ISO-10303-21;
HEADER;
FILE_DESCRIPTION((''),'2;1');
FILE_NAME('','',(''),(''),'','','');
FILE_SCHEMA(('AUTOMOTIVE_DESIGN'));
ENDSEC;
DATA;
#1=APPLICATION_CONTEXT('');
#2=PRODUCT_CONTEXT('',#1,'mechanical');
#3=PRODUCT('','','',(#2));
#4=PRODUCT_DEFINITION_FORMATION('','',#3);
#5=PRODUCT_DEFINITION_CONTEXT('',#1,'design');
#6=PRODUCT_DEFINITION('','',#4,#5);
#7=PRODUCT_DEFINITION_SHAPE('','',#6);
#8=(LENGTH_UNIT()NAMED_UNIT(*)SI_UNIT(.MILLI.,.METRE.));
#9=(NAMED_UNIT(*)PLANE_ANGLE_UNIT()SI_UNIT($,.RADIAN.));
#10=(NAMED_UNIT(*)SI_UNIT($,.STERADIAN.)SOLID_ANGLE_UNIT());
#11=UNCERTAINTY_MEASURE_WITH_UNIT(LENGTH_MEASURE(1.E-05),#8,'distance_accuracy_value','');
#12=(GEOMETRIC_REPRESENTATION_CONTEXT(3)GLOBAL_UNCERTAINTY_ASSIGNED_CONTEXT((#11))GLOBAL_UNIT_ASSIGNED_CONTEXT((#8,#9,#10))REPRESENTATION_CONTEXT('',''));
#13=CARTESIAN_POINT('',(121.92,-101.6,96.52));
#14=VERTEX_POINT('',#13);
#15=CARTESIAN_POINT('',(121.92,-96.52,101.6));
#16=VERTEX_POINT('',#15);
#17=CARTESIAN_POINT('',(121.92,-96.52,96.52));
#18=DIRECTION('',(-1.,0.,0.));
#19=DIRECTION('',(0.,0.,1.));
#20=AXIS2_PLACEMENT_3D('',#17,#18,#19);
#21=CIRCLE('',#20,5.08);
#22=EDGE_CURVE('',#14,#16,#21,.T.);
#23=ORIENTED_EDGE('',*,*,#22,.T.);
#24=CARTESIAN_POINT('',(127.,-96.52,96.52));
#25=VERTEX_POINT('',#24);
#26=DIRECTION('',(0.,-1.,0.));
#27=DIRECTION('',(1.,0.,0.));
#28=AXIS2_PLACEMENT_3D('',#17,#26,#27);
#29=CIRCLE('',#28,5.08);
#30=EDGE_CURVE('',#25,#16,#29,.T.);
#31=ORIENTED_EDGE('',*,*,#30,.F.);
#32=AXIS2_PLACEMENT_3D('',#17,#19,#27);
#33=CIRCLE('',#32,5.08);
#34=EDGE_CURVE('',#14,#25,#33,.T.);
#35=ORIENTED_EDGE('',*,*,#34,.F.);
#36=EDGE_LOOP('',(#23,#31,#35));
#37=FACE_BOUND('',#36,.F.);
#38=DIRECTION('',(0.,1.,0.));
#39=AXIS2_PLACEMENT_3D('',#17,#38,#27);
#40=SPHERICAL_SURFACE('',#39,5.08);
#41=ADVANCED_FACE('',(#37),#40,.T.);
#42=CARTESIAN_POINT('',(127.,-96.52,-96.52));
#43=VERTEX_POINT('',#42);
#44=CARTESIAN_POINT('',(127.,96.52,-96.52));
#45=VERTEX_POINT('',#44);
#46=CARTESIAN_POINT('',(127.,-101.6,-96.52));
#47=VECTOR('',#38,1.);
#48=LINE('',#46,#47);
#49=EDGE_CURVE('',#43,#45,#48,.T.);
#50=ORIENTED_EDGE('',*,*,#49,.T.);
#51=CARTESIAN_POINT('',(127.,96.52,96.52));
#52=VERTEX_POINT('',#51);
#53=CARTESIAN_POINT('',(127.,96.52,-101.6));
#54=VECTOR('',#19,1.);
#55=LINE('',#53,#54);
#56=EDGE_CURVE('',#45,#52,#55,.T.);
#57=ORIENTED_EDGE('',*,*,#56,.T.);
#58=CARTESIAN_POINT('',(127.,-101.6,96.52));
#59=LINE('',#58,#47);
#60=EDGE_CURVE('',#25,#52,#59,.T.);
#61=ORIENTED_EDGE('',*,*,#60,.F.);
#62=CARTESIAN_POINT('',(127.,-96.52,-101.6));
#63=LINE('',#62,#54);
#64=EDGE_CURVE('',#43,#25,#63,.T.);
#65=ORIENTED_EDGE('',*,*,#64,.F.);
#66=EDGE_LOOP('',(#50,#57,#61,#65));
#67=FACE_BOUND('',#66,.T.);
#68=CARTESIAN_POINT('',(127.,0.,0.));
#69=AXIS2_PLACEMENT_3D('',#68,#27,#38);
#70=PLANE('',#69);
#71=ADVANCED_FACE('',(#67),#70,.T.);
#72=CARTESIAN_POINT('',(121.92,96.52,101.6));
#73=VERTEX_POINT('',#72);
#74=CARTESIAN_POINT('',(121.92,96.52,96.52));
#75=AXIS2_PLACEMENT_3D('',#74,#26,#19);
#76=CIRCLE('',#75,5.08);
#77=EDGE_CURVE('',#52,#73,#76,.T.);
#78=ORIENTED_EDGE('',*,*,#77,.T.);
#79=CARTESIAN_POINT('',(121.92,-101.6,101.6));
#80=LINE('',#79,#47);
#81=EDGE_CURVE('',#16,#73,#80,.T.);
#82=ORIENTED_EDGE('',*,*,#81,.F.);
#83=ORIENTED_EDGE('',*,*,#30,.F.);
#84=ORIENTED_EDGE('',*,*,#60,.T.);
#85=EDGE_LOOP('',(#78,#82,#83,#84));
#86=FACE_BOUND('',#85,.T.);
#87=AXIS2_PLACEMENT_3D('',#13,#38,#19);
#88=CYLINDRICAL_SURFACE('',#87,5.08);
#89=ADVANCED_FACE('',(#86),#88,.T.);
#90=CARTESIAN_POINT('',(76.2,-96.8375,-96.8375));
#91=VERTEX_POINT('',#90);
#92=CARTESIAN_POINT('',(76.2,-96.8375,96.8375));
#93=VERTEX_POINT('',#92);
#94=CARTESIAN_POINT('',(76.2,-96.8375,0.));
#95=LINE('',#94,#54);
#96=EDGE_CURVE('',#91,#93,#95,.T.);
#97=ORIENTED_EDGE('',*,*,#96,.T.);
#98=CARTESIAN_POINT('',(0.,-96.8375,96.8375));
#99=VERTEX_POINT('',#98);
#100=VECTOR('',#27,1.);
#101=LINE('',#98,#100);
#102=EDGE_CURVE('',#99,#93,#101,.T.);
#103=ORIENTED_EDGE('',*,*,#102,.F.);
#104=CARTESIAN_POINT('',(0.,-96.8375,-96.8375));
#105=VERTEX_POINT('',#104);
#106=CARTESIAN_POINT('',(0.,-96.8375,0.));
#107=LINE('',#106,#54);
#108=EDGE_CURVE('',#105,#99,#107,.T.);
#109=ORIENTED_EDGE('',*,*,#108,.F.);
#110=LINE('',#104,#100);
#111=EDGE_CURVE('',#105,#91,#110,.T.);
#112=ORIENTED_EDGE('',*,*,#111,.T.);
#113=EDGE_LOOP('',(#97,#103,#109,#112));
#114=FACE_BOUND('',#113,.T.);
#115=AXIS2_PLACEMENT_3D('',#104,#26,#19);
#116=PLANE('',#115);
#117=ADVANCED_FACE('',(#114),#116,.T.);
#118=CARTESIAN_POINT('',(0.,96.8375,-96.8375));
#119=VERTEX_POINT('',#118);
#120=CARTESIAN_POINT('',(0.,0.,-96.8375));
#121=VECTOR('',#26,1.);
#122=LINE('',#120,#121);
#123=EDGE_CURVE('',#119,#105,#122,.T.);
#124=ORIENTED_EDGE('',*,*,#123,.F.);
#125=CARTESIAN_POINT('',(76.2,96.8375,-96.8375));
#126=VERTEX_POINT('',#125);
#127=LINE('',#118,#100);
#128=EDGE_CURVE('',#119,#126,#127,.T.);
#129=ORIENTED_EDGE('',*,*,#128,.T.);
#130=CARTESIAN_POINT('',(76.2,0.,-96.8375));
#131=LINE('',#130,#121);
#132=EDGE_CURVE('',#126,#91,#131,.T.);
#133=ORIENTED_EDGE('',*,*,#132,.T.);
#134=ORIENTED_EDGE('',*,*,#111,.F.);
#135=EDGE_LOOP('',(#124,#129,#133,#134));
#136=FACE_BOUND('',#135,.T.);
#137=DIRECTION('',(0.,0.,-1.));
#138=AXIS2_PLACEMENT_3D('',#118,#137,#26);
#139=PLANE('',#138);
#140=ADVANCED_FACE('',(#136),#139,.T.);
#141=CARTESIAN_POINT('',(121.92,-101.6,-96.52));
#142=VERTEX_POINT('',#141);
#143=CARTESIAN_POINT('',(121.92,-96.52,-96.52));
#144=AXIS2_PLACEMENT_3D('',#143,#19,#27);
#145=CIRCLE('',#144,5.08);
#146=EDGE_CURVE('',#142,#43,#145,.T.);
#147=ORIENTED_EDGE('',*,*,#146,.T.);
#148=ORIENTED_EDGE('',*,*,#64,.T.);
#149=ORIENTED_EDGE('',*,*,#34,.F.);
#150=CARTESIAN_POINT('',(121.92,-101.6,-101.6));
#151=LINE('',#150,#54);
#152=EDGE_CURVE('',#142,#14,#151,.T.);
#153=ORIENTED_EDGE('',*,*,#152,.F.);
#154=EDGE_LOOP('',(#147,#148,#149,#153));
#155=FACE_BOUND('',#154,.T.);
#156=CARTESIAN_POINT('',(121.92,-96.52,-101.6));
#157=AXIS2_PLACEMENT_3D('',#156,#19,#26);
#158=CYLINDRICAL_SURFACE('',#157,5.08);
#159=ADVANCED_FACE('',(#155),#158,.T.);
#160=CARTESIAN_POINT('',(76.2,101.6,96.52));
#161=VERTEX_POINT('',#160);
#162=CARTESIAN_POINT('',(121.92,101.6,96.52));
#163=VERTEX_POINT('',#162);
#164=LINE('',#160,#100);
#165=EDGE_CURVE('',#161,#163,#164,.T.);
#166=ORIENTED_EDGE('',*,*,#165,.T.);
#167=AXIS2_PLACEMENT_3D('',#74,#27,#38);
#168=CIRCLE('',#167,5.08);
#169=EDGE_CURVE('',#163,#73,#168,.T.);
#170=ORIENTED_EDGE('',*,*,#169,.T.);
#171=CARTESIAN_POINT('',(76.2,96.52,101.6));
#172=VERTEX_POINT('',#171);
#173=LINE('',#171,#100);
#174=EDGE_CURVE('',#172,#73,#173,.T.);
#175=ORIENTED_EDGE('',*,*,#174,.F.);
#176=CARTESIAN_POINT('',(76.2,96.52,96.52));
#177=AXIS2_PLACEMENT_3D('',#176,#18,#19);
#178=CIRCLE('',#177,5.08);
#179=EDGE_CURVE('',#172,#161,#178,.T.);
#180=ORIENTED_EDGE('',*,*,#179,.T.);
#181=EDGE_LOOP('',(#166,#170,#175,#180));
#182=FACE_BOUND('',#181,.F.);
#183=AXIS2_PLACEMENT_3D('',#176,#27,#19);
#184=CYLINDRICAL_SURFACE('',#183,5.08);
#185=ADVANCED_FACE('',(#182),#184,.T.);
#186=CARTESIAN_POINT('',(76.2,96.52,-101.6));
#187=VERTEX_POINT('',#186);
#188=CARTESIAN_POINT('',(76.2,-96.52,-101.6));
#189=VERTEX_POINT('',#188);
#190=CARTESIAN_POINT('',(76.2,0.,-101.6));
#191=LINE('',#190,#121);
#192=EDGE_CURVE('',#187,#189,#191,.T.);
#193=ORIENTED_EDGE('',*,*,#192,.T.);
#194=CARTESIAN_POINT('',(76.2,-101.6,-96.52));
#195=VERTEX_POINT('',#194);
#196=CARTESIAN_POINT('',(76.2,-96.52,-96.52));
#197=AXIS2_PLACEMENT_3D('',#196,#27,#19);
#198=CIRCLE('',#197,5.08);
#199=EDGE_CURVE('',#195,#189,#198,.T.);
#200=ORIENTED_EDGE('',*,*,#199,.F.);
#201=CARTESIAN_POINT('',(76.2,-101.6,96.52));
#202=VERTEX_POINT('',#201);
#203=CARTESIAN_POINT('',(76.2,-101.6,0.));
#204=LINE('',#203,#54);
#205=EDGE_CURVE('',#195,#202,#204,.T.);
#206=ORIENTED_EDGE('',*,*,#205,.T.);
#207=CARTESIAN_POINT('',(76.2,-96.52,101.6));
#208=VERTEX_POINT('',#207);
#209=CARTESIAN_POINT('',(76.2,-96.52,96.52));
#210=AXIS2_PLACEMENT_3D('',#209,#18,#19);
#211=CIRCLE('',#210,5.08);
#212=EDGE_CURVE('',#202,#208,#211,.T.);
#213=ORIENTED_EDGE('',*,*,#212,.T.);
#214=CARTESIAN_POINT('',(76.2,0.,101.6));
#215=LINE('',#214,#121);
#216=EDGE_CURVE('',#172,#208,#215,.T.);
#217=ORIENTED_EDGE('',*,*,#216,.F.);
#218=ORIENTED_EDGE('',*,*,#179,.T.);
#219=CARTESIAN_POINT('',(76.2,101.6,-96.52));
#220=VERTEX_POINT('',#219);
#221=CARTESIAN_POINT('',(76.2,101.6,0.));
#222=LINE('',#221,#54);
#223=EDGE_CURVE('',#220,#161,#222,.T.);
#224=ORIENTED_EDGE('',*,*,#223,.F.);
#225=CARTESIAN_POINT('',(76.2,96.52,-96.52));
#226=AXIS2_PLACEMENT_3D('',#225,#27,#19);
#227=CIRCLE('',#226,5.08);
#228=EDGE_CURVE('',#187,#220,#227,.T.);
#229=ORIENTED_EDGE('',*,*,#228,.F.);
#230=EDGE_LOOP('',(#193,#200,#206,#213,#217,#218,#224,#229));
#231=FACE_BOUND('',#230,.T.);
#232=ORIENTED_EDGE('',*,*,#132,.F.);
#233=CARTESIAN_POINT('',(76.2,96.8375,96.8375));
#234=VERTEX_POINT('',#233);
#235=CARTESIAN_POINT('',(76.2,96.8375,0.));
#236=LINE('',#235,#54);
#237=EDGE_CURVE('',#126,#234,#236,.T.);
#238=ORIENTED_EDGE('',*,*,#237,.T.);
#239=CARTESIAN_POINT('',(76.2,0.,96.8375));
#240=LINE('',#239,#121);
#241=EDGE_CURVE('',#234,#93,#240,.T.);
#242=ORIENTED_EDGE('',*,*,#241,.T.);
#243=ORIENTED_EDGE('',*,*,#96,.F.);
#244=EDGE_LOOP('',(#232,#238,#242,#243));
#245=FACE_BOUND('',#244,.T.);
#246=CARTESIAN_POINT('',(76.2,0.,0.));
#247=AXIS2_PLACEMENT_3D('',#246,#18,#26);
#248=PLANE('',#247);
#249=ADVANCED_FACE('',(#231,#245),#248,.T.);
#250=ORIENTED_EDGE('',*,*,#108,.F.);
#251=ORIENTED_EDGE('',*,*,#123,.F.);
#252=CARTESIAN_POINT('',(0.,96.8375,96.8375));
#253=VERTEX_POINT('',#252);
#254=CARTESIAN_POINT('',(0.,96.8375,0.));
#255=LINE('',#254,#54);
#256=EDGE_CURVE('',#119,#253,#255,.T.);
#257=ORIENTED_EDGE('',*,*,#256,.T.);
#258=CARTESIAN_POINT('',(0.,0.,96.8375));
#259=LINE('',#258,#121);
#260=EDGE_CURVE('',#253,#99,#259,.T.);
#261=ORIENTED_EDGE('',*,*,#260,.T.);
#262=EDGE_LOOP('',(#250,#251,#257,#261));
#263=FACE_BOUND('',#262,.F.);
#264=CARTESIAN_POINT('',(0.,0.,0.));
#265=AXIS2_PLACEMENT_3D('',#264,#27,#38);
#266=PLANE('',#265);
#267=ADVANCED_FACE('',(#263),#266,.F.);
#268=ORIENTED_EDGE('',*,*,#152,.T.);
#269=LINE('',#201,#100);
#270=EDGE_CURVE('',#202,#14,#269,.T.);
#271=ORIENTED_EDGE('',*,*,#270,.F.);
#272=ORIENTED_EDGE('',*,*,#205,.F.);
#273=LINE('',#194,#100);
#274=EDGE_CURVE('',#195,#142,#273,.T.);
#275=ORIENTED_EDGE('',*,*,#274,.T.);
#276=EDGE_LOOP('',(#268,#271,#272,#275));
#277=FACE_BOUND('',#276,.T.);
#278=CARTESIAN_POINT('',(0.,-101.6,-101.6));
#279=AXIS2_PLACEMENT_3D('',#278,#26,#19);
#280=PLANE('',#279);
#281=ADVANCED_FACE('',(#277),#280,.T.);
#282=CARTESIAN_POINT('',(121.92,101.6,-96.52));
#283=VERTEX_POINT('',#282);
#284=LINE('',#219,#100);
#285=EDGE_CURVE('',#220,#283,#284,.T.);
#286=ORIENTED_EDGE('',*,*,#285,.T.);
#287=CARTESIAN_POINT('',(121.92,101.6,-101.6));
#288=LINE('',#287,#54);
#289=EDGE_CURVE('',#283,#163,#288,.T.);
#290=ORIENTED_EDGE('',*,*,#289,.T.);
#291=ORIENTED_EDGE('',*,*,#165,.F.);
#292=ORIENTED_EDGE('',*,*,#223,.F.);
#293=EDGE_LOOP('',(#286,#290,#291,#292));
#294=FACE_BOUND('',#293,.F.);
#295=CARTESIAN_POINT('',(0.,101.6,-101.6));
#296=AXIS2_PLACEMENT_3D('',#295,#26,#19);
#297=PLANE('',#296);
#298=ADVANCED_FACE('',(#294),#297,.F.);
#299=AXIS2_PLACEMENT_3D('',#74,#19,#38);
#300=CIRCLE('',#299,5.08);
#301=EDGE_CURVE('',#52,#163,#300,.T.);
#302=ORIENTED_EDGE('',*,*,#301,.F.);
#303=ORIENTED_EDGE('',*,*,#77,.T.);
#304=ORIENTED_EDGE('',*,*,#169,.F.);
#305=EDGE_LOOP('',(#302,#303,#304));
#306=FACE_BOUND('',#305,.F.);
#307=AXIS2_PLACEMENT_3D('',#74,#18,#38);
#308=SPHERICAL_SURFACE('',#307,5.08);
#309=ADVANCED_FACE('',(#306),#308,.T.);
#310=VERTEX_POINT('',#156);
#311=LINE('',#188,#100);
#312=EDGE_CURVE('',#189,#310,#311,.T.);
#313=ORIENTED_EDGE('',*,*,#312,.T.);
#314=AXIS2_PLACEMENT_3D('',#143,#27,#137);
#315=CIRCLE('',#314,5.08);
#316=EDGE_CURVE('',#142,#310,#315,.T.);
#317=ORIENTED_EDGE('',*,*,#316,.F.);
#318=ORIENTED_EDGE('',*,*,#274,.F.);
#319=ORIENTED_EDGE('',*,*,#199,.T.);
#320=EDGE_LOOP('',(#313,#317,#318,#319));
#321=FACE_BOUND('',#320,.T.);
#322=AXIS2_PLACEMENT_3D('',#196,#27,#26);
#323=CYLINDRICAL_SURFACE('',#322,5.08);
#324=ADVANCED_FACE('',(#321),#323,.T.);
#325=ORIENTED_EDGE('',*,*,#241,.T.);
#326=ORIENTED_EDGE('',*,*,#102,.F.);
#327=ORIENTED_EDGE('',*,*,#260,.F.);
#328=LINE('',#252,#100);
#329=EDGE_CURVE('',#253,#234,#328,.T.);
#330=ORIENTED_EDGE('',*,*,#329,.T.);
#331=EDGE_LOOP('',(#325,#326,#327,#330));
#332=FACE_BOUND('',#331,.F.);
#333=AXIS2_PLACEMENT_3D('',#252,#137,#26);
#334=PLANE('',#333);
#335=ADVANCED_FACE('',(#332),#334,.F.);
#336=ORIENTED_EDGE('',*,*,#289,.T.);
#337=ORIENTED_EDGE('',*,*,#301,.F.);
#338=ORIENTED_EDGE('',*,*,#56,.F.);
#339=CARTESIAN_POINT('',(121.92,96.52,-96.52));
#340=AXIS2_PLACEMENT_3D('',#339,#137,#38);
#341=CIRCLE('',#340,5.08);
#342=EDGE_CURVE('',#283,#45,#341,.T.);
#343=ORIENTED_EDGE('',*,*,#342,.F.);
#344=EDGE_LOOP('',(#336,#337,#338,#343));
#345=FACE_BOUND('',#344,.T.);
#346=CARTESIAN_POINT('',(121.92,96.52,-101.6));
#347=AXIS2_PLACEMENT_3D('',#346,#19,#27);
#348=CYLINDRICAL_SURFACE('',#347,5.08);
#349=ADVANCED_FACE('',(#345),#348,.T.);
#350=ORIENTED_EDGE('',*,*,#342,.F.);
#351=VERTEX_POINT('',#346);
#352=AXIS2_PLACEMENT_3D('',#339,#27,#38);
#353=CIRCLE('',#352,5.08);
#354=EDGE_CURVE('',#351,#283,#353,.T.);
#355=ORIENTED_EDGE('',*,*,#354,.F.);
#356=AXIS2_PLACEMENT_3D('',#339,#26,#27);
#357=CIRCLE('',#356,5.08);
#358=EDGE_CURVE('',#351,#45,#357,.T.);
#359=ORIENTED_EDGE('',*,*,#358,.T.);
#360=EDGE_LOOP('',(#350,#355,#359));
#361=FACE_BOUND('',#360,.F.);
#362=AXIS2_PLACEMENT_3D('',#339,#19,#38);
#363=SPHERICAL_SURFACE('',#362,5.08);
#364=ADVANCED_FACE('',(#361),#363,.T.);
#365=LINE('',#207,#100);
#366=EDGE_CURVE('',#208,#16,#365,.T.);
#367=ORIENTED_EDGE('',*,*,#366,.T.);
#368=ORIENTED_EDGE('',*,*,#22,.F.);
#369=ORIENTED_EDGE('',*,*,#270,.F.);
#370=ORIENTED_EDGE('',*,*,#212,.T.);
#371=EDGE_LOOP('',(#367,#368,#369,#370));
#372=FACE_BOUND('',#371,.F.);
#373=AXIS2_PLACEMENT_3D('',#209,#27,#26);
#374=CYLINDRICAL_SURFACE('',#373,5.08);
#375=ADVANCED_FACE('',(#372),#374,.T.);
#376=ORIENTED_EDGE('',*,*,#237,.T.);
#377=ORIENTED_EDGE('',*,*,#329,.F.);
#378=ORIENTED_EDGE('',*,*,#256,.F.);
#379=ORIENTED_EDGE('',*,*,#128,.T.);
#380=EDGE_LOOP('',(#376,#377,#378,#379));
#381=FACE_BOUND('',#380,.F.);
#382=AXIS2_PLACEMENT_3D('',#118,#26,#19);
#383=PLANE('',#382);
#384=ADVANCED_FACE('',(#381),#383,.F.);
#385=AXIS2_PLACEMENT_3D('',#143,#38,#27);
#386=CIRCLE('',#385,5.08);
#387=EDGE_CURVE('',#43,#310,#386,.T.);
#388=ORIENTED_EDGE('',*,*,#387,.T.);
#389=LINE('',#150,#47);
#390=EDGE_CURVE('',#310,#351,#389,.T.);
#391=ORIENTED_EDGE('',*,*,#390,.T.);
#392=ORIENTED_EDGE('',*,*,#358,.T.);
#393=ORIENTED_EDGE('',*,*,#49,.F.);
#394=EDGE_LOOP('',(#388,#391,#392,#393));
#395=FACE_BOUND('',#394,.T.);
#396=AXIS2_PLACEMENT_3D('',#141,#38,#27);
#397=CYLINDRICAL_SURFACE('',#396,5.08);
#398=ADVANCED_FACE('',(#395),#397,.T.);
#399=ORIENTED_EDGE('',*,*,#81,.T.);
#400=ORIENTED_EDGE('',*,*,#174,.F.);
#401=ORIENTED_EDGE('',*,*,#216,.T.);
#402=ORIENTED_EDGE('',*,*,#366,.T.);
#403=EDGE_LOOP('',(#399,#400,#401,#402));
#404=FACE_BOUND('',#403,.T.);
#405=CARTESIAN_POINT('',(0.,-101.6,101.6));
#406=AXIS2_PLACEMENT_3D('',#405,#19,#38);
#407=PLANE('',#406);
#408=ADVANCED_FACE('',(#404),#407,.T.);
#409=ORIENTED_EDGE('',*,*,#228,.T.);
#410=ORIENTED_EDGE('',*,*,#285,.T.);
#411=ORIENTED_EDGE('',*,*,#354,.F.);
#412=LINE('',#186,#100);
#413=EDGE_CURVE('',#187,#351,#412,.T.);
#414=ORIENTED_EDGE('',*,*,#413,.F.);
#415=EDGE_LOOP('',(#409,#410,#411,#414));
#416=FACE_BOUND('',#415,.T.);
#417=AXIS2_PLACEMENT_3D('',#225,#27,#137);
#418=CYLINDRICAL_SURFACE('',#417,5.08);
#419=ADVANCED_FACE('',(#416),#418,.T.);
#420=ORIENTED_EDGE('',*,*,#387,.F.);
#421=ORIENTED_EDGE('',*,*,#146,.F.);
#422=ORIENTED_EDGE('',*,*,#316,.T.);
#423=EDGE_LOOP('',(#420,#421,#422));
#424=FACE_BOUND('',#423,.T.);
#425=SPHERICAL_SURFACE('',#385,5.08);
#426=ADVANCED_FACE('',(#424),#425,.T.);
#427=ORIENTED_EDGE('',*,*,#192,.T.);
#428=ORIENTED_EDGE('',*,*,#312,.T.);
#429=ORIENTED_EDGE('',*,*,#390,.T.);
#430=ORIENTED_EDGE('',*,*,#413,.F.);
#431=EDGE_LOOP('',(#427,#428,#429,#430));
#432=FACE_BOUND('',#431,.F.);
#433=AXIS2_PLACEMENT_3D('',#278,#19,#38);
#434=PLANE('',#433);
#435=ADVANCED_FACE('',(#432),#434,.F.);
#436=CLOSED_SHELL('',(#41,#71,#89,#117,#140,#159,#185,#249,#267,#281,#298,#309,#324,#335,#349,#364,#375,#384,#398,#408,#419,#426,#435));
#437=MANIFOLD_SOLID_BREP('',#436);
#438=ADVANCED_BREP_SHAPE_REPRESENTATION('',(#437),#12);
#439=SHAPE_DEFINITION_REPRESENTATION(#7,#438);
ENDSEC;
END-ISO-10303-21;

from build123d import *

# Parameters (mm, degrees)
F0_W     = 203.2
F0_H     = 203.2
F1_DEPTH = 127
F2_W     = 203.2
F2_H     = 203.2
F2_W_2   = 193.675
F2_H_2   = 193.675
F3_DEPTH = 76.2
F4_R     = 5.08


with BuildPart() as f1:
    # F0 (on Right) → F1 (new body)
    with BuildSketch(Plane.YZ):
        Rectangle(F0_W, F0_H)
    extrude(amount=F1_DEPTH)

    # F2 (on face) → F3 (cut)
    with BuildSketch(Plane(origin=(0, 0, 0), x_dir=(0, -1, 0), z_dir=(-1, 0, 0))):
        Rectangle(F2_W, F2_H)
        Rectangle(F2_W_2, F2_H_2, mode=Mode.SUBTRACT)
    extrude(amount=-F3_DEPTH, mode=Mode.SUBTRACT)

    # F4
    f4_edges = [f1.edges().sort_by_distance(p)[0] for p in [
        (101.6, 101.6, 101.6),
        (127, 101.6, 0),
        (101.6, 101.6, -101.6),
        (127, 0, -101.6),
        (127, 0, 101.6),
        (127, -101.6, 0),
        (101.6, -101.6, 101.6),
        (101.6, -101.6, -101.6),
    ]]
    fillet(f4_edges, radius=F4_R)


solid = f1.part
